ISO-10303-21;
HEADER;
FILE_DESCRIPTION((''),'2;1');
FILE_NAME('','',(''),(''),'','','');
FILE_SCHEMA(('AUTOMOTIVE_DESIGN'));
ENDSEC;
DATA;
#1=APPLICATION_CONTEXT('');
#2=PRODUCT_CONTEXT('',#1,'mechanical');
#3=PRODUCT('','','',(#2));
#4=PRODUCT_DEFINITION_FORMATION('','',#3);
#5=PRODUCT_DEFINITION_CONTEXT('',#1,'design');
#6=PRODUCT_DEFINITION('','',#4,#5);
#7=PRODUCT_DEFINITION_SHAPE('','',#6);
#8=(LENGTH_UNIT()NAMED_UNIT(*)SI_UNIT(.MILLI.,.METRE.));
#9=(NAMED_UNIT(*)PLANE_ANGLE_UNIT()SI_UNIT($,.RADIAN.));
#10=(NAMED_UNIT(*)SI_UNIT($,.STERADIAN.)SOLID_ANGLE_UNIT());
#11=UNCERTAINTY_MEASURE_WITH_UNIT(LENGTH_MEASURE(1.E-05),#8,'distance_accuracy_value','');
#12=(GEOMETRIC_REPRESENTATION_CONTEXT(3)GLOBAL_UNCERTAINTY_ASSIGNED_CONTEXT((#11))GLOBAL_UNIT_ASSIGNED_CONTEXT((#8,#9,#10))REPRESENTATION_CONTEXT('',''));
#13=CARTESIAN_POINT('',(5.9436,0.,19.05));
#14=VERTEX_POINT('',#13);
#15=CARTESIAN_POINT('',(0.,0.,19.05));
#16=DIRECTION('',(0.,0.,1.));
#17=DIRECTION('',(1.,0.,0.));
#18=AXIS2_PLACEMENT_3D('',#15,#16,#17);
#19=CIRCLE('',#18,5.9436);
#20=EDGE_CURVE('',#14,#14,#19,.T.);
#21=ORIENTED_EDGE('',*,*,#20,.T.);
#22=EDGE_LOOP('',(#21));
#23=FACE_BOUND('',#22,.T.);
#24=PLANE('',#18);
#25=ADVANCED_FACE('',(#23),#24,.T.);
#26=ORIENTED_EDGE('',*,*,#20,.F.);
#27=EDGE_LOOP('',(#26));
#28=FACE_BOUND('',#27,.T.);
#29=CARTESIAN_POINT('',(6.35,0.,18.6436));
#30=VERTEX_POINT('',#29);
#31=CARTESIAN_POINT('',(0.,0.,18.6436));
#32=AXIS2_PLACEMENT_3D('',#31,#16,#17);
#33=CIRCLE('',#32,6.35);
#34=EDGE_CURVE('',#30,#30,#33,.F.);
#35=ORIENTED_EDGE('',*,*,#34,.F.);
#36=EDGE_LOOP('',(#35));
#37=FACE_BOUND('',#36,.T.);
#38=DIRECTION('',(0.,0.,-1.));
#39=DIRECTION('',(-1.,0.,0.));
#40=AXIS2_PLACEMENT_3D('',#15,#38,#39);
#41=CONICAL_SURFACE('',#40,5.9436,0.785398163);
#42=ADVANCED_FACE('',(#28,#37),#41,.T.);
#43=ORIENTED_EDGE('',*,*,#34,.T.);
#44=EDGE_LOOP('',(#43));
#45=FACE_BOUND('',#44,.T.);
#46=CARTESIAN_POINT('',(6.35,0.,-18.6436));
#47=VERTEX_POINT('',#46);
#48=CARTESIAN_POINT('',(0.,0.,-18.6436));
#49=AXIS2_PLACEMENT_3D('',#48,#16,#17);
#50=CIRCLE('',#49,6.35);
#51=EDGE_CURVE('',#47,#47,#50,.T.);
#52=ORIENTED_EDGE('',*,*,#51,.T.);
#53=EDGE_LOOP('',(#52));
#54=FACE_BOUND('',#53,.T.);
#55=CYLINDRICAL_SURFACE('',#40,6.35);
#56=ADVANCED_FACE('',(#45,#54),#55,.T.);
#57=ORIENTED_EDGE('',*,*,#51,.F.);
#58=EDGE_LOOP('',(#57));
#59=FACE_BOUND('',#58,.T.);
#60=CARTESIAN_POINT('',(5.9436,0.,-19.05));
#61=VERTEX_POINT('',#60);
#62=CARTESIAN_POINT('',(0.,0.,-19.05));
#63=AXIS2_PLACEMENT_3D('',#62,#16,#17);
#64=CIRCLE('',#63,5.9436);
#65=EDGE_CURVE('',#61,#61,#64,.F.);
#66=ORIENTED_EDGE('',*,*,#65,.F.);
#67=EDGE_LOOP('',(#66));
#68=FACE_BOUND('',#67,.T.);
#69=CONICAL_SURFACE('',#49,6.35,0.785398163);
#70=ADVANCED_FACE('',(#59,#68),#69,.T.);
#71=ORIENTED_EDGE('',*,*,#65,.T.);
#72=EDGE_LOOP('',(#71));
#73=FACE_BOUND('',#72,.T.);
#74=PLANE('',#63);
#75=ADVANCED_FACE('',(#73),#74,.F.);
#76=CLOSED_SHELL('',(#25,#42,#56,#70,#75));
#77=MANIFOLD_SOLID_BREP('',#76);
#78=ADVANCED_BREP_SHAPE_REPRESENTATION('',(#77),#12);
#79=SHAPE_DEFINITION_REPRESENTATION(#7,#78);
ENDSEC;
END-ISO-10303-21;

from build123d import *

# Parameters (mm, degrees)
SKETCH1_R      = 6.35
EXTRUDE1_DEPTH = 19.05
CHAMFER1_SIZE  = 0.4064


with BuildPart() as part:
    # Sketch1 → Extrude1 (new body, symmetric)
    with BuildSketch(Plane.XY):
        Circle(SKETCH1_R)
    extrude(amount=EXTRUDE1_DEPTH, both=True)

    # Chamfer1
    chamfer1_edges = [part.edges().sort_by_distance(p)[0] for p in [
        (-6.35, 0, -19.05),
        (-6.35, 0, 19.05),
    ]]
    chamfer(chamfer1_edges, length=CHAMFER1_SIZE)


solid = part.part
